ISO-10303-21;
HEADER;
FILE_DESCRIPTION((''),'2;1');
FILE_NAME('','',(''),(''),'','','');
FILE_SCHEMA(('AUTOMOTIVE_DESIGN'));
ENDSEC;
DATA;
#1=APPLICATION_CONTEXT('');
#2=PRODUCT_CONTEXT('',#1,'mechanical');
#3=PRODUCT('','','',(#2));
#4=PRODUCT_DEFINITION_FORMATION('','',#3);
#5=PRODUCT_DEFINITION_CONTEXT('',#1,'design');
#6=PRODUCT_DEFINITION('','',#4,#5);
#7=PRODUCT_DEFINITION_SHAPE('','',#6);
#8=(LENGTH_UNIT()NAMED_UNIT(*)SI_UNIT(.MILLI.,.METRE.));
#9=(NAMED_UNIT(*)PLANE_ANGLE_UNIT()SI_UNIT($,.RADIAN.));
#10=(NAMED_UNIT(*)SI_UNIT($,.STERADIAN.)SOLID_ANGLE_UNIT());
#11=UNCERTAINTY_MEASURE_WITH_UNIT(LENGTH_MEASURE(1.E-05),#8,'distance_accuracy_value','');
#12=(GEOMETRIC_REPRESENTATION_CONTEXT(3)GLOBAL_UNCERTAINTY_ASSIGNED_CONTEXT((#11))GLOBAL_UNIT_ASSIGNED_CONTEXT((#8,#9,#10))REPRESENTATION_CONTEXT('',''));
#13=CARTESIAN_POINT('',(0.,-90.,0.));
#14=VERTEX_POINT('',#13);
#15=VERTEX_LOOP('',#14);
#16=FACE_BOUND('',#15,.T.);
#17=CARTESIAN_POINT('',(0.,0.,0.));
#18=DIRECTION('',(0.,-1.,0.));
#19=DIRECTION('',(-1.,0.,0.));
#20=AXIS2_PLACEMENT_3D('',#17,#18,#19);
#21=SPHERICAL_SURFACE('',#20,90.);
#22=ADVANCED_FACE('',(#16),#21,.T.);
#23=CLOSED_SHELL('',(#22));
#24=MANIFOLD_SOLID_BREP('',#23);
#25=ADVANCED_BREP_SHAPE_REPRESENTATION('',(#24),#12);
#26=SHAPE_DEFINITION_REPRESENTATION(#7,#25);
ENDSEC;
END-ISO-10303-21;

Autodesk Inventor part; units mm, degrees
ref_plane "YZ Plane" through (0, 0, 0) normal (1, 0, 0) x (0, 1, 0)
ref_plane "XZ Plane" through (0, 0, 0) normal (0, 1, 0) x (-1, 0, 0)
ref_plane "XY Plane" through (0, 0, 0) normal (0, 0, 1) x (1, 0, 0)
sketch "Skizze1" plane through (0, 0, 0) normal (0, 0, 1) x (1, 0, 0)
  arc A0 (0, 90) -> (0, -90) centre (0, 0) ccw
  line L0 (0, 90) -> (0, -90)
  dimension "d0" = 180
revolve "Umdrehung1" add sketch "Skizze1" angle 360 about axis through (0, 90, 0) along (0, -1, 0)
properties part number "Sphere"
